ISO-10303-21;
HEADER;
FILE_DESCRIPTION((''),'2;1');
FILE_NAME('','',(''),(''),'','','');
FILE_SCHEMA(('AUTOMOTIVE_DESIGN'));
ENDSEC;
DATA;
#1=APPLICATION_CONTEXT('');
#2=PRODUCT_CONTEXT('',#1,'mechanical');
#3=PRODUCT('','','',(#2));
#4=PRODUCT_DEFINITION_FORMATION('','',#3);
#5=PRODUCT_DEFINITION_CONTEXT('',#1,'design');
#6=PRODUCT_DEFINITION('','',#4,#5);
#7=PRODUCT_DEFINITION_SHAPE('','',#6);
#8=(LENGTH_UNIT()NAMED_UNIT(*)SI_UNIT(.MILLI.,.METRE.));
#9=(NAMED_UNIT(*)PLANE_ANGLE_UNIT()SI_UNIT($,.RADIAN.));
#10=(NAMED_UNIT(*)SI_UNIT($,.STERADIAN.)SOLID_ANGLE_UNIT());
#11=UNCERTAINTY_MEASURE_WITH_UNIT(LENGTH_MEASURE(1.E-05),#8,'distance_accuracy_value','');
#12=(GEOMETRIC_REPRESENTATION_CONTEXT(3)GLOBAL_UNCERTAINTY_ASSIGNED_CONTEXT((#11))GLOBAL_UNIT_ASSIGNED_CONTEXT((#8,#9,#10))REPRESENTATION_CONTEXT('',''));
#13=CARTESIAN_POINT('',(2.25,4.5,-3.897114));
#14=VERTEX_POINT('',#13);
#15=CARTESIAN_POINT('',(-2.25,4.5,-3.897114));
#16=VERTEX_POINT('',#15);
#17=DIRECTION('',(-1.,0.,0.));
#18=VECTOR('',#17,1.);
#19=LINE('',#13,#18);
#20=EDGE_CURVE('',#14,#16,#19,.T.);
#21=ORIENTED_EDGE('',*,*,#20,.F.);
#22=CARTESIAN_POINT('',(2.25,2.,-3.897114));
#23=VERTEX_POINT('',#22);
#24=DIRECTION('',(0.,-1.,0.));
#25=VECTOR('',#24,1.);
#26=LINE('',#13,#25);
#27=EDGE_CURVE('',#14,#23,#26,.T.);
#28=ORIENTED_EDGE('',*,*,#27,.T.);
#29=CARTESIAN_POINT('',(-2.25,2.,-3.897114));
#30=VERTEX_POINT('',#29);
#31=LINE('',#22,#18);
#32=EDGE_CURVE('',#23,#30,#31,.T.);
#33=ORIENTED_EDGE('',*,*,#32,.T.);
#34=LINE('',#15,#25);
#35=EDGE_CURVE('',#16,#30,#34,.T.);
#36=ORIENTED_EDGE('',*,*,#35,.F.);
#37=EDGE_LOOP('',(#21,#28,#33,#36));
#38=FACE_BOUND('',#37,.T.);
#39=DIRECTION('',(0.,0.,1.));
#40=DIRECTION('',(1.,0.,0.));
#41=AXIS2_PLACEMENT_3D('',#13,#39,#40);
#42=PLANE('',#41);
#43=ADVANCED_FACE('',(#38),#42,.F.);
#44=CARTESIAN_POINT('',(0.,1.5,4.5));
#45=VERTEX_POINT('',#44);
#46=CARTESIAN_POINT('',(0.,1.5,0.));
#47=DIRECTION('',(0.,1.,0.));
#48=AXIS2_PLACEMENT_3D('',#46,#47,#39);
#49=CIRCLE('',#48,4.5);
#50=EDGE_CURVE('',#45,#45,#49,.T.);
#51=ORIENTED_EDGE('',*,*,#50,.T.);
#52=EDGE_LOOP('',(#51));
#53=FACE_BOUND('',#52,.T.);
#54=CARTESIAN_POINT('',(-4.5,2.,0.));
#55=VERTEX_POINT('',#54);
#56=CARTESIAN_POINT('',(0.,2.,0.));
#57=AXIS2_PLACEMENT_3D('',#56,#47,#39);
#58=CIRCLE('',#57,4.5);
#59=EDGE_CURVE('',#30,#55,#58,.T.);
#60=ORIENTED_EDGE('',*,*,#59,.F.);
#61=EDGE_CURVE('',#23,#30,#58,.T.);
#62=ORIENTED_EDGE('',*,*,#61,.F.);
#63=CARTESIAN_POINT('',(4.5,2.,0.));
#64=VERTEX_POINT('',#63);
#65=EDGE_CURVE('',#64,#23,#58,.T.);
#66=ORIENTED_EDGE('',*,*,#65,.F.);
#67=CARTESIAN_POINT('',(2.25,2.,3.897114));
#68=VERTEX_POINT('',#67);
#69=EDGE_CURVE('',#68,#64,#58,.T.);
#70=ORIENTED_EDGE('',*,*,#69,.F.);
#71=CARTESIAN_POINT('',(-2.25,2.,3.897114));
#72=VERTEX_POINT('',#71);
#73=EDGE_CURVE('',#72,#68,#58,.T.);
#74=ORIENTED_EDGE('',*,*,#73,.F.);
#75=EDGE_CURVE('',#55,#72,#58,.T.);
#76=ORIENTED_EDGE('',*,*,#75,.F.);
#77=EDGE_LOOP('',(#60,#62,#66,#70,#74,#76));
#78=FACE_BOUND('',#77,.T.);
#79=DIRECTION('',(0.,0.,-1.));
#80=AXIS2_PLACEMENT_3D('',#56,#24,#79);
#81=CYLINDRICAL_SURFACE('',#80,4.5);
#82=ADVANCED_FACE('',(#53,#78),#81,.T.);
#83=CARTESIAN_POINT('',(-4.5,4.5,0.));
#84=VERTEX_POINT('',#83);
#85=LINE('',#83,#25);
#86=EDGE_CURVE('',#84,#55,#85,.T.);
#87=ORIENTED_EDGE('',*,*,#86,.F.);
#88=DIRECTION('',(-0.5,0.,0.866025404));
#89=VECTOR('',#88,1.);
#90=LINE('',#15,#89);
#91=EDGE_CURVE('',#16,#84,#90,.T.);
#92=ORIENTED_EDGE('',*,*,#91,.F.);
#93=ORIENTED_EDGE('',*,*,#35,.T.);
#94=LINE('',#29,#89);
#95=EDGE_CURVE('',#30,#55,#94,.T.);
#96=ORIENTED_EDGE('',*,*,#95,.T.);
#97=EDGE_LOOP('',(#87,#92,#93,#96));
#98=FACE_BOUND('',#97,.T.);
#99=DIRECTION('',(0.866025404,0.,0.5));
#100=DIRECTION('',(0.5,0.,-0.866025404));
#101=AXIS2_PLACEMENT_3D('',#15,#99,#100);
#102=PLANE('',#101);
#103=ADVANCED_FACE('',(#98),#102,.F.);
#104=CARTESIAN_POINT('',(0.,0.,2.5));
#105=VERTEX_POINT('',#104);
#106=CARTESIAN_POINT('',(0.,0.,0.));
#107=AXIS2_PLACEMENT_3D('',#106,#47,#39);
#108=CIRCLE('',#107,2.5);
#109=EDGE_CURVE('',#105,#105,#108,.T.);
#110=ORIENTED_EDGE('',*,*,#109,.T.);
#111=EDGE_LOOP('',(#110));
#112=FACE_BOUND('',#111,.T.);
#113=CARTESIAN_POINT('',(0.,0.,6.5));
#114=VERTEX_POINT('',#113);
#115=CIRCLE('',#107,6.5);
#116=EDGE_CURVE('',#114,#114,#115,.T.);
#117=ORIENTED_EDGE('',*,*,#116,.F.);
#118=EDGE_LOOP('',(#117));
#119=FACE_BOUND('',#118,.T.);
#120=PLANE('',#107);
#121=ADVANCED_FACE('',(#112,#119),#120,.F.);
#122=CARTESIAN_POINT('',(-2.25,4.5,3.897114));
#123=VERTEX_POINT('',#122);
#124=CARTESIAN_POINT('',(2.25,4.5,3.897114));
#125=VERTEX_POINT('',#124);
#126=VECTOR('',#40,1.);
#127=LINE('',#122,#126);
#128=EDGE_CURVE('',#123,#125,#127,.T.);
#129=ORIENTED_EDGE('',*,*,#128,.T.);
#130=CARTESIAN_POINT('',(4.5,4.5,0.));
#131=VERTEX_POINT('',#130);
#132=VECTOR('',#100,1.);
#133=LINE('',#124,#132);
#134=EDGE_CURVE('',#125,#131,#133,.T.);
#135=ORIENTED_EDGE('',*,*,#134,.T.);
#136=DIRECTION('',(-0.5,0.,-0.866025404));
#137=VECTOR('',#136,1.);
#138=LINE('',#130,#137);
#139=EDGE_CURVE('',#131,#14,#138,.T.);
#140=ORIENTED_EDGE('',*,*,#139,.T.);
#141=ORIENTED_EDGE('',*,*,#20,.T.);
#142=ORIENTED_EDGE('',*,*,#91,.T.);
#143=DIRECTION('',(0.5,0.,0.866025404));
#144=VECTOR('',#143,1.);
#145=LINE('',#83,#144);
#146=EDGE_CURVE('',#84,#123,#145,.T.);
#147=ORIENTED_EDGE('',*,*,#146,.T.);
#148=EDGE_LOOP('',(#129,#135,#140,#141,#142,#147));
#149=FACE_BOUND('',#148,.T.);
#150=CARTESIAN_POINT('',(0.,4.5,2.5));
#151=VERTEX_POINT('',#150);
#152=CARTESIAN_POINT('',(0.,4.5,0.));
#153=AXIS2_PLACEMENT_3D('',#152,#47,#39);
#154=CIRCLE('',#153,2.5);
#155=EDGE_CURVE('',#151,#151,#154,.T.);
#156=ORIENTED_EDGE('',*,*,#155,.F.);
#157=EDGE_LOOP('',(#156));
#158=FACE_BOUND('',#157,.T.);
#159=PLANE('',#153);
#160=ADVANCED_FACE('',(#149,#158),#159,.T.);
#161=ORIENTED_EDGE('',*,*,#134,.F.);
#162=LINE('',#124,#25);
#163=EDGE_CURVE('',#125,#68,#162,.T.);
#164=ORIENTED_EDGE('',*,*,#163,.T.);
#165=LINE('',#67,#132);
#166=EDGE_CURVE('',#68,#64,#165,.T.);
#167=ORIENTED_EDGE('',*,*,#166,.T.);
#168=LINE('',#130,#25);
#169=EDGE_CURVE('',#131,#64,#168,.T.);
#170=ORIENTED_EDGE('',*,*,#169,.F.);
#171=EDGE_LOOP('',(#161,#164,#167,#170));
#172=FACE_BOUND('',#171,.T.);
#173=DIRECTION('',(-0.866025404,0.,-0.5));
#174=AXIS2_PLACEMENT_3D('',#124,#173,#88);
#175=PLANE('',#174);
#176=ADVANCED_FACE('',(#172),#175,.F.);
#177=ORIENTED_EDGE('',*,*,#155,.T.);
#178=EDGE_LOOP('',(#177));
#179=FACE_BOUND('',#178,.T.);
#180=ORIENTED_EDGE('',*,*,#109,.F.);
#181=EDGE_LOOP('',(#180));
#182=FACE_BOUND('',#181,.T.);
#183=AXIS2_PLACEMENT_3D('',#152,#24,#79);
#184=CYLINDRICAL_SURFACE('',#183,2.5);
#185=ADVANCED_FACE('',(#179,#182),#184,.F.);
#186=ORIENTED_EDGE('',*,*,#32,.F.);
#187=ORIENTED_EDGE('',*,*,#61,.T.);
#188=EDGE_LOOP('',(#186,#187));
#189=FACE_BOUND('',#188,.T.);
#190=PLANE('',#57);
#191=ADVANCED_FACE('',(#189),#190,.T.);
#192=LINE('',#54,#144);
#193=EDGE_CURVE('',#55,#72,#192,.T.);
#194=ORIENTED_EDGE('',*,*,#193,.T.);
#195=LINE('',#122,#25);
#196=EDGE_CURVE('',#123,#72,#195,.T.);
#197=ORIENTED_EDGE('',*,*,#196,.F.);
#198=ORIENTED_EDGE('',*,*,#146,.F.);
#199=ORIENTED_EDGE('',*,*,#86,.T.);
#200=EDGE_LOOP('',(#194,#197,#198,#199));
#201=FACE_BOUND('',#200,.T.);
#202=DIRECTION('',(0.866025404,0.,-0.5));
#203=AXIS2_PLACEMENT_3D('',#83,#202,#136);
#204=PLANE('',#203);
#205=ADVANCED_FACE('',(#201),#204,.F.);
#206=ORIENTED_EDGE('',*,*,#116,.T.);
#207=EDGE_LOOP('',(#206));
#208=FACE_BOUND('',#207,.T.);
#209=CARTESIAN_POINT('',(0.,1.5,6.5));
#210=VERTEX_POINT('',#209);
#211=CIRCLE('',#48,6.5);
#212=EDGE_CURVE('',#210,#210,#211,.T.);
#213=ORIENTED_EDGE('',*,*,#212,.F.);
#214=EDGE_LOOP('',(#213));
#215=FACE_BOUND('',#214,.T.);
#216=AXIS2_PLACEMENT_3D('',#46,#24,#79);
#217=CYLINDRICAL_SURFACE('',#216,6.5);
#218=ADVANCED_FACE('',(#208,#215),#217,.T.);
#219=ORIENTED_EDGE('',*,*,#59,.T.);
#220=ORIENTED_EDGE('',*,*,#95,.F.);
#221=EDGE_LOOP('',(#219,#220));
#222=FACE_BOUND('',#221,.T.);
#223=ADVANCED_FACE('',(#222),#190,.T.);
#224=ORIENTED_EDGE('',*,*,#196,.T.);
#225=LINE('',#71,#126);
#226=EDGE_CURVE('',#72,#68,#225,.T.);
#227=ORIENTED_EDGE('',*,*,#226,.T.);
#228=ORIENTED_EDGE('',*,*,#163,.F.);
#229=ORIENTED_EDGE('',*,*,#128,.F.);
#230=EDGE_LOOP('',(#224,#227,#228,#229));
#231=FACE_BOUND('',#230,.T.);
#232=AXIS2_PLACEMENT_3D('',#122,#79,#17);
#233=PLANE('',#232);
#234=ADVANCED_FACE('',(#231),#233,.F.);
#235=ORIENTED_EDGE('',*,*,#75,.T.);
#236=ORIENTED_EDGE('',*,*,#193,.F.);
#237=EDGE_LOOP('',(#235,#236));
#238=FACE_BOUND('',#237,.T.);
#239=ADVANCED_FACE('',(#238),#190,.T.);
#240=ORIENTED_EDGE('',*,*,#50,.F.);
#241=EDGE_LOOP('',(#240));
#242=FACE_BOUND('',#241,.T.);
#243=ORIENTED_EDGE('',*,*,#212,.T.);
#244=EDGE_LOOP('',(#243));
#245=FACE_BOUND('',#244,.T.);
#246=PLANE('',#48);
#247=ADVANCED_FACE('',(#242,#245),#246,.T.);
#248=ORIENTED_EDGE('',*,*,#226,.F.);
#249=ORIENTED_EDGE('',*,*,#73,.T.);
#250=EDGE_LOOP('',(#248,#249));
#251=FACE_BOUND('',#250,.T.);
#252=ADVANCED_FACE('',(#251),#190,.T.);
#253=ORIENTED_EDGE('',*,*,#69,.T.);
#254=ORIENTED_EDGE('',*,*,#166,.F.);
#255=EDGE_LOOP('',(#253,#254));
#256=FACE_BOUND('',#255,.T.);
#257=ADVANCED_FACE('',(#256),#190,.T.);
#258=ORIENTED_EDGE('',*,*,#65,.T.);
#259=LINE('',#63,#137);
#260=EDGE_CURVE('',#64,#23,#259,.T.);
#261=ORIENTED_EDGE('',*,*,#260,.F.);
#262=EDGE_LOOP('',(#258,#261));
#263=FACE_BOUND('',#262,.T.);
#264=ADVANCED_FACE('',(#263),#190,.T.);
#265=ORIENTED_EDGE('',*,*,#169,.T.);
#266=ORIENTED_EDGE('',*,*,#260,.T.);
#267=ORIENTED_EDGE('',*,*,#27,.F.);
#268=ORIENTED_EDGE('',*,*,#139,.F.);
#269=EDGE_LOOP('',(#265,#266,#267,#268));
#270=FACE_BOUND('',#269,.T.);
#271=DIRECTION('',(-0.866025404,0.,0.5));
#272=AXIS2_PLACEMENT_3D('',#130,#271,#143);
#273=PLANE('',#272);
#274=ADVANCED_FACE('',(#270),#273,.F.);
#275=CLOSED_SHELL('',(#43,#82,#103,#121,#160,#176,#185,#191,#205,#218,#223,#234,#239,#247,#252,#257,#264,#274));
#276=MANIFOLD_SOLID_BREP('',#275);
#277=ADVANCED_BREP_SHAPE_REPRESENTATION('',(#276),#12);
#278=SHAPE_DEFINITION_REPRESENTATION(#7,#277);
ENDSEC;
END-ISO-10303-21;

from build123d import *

# Parameters (mm, degrees)
SKETCH1_R           = 6.5
BOSS_EXTRUDE1_DEPTH = 1.5
SKETCH2_R           = 4.5
BOSS_EXTRUDE2_DEPTH = 0.5
SKETCH3_R           = 2.5
BOSS_EXTRUDE3_DEPTH = 2.5
SKETCH4_R           = 2.5
CUT_EXTRUDE1_DEPTH  = 3.5


with BuildPart() as part:
    # Sketch1 → Boss-Extrude1 (new body)
    with BuildSketch(Plane(origin=(0, 0, 0), x_dir=(1, 0, 0), z_dir=(0, 1, 0))):
        with Locations(Location((0, 0, 0), (0, 0, 270))):  # turned: the seam where the file's is
            Circle(SKETCH1_R)
    extrude(amount=BOSS_EXTRUDE1_DEPTH)

    # Sketch2 → Boss-Extrude2 (add)
    with BuildSketch(Plane(origin=(0, 1.5, 0), x_dir=(1, 0, 0), z_dir=(0, 1, 0))):
        with Locations(Location((0, 0, 0), (0, 0, 270))):  # turned: the seam where the file's is
            Circle(SKETCH2_R)
    extrude(amount=BOSS_EXTRUDE2_DEPTH)

    # Sketch3 → Boss-Extrude3 (add)
    with BuildSketch(Plane(origin=(0, 2, 0), x_dir=(1, 0, 0), z_dir=(0, 1, 0))):
        Polygon((-4.5, 0), (-2.25, -3.897114317), (2.25, -3.897114317), (4.5, 0), (2.25, 3.897114317), (-2.25, 3.897114317), align=None)
        with Locations(Location((0, 0, 0), (0, 0, 270))):  # turned: the seam where the file's is
            Circle(SKETCH3_R, mode=Mode.SUBTRACT)
    extrude(amount=BOSS_EXTRUDE3_DEPTH)

    # Sketch4 → Cut-Extrude1 (cut)
    with BuildSketch(Plane(origin=(0, 2, 0), x_dir=(1, 0, 0), z_dir=(0, 1, 0))):
        with Locations(Location((0, 0, 0), (0, 0, 270))):  # turned: the seam where the file's is
            Circle(SKETCH4_R)
    extrude(amount=-CUT_EXTRUDE1_DEPTH, mode=Mode.SUBTRACT)


solid = part.part
